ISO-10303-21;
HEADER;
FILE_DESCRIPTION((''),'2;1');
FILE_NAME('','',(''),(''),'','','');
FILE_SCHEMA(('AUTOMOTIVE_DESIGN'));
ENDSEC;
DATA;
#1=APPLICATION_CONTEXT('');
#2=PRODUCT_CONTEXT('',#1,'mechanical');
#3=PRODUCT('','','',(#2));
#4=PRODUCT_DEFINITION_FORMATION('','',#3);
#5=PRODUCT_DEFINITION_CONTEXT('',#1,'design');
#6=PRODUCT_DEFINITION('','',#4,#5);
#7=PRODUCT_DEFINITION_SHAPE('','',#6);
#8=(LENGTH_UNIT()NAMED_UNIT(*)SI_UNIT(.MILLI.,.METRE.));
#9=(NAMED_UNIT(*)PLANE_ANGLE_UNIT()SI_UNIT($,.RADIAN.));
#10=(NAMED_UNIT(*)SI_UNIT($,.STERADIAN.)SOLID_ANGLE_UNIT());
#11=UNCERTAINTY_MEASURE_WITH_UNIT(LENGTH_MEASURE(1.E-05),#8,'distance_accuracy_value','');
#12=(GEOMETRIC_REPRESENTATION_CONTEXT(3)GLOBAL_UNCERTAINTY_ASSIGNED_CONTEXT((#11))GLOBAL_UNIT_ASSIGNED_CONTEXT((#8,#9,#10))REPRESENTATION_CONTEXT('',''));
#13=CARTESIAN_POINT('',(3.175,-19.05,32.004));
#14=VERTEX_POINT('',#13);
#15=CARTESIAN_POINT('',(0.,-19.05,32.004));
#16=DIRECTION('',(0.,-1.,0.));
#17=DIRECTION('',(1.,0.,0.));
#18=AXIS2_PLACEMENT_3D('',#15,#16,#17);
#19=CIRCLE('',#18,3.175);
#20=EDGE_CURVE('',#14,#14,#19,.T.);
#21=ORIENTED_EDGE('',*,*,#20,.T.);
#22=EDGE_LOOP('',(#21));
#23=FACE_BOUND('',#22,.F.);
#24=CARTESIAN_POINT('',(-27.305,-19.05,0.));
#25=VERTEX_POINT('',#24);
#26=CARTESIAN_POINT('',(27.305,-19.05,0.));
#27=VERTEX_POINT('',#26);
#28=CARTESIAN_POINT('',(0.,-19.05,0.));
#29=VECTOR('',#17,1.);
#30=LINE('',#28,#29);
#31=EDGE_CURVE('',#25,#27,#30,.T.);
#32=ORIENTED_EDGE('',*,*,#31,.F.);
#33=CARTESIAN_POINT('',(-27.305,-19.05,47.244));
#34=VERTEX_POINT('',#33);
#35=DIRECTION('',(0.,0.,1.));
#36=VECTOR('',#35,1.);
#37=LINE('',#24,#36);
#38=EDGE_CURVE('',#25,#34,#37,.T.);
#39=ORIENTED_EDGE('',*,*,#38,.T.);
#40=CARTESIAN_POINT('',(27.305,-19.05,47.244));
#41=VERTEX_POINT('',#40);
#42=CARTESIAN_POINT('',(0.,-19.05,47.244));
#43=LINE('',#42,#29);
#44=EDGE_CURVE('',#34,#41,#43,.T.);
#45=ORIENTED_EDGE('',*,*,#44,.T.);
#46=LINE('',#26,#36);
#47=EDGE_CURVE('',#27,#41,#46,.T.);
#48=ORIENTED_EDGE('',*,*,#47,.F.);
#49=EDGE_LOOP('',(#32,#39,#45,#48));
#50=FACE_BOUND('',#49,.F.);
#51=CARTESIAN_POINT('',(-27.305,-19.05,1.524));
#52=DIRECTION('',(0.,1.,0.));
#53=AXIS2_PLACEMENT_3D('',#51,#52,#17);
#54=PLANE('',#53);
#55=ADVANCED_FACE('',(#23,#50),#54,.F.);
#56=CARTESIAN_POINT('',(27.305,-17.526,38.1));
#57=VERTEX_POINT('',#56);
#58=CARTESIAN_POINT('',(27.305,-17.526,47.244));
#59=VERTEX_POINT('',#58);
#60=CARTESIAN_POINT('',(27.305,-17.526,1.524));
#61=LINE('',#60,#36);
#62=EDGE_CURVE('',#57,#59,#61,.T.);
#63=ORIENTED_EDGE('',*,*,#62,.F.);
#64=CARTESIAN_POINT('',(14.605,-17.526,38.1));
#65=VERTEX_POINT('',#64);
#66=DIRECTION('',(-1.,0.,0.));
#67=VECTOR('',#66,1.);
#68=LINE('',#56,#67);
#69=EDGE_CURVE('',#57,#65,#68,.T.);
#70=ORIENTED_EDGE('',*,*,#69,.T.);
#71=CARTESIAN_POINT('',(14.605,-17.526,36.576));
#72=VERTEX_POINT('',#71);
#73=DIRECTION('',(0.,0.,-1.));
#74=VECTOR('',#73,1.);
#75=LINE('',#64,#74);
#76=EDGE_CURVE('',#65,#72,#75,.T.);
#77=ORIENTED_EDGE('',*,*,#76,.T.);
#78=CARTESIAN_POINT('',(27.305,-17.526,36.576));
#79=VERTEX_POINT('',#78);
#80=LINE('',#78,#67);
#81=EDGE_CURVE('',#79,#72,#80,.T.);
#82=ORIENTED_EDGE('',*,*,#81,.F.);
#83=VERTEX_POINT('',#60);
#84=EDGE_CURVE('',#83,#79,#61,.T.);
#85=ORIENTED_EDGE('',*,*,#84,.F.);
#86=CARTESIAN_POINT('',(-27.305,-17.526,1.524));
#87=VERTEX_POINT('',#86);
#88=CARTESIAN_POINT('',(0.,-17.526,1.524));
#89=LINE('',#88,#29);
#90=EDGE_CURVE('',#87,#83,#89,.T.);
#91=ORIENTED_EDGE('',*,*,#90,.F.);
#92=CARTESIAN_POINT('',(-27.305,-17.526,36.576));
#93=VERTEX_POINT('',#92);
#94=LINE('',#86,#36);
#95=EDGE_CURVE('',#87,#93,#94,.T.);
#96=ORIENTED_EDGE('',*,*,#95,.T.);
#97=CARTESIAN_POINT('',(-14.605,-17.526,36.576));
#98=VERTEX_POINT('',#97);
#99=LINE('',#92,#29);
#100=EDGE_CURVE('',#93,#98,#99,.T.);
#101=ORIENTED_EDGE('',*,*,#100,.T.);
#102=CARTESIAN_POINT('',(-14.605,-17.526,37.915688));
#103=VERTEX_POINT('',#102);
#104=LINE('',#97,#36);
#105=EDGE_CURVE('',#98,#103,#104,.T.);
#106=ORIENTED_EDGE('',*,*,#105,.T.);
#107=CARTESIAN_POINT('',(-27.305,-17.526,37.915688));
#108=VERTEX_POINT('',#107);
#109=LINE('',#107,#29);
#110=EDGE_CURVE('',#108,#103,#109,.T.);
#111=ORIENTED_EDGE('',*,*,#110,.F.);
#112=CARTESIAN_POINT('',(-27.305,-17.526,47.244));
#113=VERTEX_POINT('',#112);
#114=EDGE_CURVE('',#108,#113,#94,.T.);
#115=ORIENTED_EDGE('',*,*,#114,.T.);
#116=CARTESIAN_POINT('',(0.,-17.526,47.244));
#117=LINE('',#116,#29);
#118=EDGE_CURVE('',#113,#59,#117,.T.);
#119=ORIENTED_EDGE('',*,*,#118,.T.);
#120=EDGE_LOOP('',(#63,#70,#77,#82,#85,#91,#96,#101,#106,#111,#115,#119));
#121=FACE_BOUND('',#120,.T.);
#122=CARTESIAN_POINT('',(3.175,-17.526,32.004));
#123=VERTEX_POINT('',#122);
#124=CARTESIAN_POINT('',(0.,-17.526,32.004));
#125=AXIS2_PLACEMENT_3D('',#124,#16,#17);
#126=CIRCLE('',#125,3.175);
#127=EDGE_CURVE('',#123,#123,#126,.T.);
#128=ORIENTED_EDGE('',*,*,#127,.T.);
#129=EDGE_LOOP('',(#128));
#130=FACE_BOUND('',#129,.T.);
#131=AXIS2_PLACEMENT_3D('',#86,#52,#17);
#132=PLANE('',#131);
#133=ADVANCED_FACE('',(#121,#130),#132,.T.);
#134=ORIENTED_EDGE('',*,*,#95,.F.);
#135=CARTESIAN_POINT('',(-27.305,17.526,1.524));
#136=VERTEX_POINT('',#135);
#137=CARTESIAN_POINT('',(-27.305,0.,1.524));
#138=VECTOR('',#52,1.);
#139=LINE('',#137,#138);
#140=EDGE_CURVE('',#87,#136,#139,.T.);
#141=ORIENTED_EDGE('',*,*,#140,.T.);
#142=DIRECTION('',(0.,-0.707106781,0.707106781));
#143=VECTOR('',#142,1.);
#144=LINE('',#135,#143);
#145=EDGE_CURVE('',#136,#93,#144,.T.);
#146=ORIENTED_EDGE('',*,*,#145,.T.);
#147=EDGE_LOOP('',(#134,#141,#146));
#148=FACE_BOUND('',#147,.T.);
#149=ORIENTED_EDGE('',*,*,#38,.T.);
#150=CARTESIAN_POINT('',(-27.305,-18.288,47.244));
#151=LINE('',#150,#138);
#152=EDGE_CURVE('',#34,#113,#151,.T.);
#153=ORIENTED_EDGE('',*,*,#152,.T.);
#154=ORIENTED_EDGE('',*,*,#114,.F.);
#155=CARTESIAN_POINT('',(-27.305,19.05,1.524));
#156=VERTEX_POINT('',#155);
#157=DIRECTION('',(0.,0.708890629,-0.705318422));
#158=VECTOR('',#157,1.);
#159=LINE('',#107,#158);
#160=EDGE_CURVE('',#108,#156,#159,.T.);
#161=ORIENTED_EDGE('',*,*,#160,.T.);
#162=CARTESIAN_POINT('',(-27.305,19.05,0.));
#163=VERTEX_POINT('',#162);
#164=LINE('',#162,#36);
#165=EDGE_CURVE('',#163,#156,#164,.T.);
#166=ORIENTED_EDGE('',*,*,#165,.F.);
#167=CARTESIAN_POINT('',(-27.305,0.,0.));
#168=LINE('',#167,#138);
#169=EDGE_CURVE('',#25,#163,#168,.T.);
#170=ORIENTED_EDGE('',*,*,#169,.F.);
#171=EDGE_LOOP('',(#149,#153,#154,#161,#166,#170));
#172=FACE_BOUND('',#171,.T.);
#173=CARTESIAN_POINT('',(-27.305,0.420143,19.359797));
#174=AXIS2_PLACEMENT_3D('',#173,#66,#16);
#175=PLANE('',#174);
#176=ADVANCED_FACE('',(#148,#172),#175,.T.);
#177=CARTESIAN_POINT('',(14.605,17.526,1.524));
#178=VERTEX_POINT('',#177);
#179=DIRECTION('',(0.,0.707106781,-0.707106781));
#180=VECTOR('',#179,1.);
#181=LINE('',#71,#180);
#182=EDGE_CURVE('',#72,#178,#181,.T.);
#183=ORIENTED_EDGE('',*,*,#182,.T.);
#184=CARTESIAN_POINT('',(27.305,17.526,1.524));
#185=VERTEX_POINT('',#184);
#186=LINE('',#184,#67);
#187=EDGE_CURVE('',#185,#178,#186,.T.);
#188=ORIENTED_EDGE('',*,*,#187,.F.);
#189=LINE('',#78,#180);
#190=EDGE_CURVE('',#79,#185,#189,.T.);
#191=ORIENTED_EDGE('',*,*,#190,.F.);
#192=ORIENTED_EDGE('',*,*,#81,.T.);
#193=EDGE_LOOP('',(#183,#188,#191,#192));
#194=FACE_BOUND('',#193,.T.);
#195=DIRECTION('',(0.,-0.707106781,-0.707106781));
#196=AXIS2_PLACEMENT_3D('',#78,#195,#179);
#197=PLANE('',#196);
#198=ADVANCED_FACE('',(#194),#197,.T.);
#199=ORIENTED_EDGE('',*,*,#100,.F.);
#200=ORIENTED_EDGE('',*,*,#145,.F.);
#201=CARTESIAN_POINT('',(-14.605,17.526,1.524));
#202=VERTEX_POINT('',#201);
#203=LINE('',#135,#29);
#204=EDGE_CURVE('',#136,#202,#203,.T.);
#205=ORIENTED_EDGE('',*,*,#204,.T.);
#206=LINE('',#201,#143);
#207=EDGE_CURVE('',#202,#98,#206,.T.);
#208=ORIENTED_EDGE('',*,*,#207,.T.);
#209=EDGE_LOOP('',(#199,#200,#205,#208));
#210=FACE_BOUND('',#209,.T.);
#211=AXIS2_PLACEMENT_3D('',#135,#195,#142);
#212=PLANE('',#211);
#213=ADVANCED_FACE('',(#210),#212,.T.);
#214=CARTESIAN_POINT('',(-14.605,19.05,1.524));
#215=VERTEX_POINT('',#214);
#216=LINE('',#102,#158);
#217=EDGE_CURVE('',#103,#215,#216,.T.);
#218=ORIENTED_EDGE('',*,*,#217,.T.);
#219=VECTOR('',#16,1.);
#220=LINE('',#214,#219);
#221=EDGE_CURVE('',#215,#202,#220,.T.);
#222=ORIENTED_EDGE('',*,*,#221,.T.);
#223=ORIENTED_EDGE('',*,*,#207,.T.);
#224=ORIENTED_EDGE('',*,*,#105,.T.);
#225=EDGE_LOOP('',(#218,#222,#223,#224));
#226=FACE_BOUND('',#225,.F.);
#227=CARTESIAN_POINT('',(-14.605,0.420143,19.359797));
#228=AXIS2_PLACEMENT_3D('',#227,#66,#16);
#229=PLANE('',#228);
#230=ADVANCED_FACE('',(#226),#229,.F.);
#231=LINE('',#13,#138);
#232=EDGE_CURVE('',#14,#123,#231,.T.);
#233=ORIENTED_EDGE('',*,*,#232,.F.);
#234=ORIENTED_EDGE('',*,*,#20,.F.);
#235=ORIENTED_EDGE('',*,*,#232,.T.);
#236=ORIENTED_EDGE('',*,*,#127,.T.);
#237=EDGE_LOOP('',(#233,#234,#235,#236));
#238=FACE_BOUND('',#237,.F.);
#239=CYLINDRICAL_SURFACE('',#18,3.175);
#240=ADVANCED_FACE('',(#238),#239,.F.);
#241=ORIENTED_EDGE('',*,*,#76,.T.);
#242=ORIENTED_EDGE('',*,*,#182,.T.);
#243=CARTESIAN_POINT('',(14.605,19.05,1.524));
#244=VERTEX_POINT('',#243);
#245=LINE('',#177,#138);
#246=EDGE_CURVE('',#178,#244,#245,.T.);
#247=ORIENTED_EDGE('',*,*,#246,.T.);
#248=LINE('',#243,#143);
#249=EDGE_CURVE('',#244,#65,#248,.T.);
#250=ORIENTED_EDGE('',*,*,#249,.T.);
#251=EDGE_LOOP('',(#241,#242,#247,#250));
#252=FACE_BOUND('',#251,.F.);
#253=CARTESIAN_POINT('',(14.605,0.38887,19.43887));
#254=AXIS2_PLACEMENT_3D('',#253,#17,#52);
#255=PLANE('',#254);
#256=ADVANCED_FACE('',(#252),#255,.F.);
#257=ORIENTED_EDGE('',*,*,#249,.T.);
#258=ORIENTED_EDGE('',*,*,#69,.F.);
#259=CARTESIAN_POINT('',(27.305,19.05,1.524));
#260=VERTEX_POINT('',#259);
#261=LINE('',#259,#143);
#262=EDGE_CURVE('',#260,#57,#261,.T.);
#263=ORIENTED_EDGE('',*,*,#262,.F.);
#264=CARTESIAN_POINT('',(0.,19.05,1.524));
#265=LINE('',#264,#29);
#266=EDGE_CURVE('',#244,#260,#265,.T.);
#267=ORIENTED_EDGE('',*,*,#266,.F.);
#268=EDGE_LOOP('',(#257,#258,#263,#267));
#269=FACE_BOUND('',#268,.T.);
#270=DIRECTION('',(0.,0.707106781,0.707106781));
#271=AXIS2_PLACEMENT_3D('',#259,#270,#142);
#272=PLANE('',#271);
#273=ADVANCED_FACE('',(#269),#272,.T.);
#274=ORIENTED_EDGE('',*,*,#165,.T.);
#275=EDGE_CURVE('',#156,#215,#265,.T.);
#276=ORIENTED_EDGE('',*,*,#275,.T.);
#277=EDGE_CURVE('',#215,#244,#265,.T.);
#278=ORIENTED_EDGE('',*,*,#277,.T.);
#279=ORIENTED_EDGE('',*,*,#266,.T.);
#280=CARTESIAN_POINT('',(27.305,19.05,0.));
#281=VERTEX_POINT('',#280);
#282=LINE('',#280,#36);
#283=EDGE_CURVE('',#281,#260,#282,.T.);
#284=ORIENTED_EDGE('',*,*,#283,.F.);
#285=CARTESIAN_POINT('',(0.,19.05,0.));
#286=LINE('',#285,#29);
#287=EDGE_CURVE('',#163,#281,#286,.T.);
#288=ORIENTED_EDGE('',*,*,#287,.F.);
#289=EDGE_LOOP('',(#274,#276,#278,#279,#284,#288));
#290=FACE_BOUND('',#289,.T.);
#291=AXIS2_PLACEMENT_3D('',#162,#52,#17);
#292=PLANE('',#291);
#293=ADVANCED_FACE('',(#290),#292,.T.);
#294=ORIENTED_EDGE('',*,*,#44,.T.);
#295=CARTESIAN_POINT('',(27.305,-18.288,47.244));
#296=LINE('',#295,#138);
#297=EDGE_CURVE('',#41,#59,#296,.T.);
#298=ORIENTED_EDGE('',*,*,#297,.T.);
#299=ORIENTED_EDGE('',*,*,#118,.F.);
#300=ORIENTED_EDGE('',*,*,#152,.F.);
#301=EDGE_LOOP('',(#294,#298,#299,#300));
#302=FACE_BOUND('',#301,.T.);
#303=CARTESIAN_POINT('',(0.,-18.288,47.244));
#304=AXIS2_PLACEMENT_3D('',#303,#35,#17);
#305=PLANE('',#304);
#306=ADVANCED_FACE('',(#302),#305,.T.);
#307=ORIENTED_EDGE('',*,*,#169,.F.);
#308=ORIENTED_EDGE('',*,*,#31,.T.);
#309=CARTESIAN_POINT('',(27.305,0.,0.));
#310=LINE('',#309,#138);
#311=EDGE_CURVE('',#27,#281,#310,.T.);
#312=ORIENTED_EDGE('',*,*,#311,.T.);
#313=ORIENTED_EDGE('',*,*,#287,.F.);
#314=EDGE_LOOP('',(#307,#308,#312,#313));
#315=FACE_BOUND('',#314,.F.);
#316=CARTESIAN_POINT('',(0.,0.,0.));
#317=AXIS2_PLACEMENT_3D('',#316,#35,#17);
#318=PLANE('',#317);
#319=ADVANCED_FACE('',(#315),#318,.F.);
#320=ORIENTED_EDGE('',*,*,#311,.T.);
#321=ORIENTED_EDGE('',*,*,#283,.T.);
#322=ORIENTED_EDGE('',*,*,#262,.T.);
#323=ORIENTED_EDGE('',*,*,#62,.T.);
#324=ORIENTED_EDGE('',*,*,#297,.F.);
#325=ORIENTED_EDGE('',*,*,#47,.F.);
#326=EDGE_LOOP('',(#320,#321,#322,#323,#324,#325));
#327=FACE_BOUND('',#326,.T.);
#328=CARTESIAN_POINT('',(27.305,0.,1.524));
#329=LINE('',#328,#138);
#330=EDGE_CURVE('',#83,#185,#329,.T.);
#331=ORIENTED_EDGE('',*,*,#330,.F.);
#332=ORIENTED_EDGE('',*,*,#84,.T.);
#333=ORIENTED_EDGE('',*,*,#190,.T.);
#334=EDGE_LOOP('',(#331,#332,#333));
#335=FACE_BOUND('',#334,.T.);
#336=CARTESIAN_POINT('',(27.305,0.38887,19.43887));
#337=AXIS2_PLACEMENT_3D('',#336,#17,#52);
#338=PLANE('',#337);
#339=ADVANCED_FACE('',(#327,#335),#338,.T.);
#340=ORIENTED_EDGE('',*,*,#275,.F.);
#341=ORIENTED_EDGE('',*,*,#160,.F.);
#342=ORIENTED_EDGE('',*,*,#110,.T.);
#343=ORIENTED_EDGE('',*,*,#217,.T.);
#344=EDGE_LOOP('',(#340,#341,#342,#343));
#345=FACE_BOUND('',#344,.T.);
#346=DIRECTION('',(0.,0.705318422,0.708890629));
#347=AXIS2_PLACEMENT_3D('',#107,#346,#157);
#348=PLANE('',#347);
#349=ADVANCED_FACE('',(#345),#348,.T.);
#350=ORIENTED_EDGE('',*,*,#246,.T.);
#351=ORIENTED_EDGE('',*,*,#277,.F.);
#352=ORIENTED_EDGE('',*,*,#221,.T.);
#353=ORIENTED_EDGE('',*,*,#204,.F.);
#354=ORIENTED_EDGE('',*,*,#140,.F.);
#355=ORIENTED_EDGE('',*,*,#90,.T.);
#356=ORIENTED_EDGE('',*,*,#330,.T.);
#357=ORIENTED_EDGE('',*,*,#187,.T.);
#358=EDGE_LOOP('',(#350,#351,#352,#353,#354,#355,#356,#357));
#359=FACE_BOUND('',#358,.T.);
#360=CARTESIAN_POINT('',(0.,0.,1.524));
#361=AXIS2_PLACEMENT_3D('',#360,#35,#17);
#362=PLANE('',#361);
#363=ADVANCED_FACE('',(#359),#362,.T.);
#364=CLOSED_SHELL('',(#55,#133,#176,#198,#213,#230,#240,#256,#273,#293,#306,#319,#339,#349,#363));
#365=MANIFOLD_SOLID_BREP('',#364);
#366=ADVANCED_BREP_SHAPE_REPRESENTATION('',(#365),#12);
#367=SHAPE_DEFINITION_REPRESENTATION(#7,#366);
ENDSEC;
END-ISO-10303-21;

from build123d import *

# Parameters (mm, degrees)
F0_W     = 54.61
F0_H     = 38.1
F1_DEPTH = 1.524
F2_W     = 54.61
F2_H     = 1.524
F3_DEPTH = 45.72
F4_R     = 3.175
F5_DEPTH = 25.4
F7_DEPTH = 12.7
F9_DEPTH = 12.7


with BuildPart() as f1:
    # F0 (on Top) → F1 (new body)
    with BuildSketch(Plane.XY):
        Rectangle(F0_W, F0_H)
    extrude(amount=F1_DEPTH)

    # F2 (on face) → F3 (join)
    with BuildSketch(Plane.XY.offset(1.524)):
        with Locations((0, -18.288)):
            Rectangle(F2_W, F2_H)
    extrude(amount=F3_DEPTH)

    # F4 (on face) → F5 (cut)
    with BuildSketch(Plane.XZ.offset(19.05)):
        with Locations((0, 32.004)):
            Circle(F4_R)
    extrude(amount=-F5_DEPTH, mode=Mode.SUBTRACT)

    # F6 (on face) → F7 (join)
    with BuildSketch(Plane.YZ.offset(27.305)):
        Polygon((17.526, 1.524), (19.05, 1.524), (-17.526, 38.1), (-17.526, 36.576), align=None)
    extrude(amount=-F7_DEPTH)

    # F8 (on face) → F9 (join)
    with BuildSketch(Plane(origin=(-27.305, 0, 0), x_dir=(0, -1, 0), z_dir=(-1, 0, 0))):
        Polygon((17.526, 37.915688), (-19.05, 1.524), (-17.526, 1.524), (17.526, 36.576), align=None)
    extrude(amount=-F9_DEPTH)


solid = f1.part
